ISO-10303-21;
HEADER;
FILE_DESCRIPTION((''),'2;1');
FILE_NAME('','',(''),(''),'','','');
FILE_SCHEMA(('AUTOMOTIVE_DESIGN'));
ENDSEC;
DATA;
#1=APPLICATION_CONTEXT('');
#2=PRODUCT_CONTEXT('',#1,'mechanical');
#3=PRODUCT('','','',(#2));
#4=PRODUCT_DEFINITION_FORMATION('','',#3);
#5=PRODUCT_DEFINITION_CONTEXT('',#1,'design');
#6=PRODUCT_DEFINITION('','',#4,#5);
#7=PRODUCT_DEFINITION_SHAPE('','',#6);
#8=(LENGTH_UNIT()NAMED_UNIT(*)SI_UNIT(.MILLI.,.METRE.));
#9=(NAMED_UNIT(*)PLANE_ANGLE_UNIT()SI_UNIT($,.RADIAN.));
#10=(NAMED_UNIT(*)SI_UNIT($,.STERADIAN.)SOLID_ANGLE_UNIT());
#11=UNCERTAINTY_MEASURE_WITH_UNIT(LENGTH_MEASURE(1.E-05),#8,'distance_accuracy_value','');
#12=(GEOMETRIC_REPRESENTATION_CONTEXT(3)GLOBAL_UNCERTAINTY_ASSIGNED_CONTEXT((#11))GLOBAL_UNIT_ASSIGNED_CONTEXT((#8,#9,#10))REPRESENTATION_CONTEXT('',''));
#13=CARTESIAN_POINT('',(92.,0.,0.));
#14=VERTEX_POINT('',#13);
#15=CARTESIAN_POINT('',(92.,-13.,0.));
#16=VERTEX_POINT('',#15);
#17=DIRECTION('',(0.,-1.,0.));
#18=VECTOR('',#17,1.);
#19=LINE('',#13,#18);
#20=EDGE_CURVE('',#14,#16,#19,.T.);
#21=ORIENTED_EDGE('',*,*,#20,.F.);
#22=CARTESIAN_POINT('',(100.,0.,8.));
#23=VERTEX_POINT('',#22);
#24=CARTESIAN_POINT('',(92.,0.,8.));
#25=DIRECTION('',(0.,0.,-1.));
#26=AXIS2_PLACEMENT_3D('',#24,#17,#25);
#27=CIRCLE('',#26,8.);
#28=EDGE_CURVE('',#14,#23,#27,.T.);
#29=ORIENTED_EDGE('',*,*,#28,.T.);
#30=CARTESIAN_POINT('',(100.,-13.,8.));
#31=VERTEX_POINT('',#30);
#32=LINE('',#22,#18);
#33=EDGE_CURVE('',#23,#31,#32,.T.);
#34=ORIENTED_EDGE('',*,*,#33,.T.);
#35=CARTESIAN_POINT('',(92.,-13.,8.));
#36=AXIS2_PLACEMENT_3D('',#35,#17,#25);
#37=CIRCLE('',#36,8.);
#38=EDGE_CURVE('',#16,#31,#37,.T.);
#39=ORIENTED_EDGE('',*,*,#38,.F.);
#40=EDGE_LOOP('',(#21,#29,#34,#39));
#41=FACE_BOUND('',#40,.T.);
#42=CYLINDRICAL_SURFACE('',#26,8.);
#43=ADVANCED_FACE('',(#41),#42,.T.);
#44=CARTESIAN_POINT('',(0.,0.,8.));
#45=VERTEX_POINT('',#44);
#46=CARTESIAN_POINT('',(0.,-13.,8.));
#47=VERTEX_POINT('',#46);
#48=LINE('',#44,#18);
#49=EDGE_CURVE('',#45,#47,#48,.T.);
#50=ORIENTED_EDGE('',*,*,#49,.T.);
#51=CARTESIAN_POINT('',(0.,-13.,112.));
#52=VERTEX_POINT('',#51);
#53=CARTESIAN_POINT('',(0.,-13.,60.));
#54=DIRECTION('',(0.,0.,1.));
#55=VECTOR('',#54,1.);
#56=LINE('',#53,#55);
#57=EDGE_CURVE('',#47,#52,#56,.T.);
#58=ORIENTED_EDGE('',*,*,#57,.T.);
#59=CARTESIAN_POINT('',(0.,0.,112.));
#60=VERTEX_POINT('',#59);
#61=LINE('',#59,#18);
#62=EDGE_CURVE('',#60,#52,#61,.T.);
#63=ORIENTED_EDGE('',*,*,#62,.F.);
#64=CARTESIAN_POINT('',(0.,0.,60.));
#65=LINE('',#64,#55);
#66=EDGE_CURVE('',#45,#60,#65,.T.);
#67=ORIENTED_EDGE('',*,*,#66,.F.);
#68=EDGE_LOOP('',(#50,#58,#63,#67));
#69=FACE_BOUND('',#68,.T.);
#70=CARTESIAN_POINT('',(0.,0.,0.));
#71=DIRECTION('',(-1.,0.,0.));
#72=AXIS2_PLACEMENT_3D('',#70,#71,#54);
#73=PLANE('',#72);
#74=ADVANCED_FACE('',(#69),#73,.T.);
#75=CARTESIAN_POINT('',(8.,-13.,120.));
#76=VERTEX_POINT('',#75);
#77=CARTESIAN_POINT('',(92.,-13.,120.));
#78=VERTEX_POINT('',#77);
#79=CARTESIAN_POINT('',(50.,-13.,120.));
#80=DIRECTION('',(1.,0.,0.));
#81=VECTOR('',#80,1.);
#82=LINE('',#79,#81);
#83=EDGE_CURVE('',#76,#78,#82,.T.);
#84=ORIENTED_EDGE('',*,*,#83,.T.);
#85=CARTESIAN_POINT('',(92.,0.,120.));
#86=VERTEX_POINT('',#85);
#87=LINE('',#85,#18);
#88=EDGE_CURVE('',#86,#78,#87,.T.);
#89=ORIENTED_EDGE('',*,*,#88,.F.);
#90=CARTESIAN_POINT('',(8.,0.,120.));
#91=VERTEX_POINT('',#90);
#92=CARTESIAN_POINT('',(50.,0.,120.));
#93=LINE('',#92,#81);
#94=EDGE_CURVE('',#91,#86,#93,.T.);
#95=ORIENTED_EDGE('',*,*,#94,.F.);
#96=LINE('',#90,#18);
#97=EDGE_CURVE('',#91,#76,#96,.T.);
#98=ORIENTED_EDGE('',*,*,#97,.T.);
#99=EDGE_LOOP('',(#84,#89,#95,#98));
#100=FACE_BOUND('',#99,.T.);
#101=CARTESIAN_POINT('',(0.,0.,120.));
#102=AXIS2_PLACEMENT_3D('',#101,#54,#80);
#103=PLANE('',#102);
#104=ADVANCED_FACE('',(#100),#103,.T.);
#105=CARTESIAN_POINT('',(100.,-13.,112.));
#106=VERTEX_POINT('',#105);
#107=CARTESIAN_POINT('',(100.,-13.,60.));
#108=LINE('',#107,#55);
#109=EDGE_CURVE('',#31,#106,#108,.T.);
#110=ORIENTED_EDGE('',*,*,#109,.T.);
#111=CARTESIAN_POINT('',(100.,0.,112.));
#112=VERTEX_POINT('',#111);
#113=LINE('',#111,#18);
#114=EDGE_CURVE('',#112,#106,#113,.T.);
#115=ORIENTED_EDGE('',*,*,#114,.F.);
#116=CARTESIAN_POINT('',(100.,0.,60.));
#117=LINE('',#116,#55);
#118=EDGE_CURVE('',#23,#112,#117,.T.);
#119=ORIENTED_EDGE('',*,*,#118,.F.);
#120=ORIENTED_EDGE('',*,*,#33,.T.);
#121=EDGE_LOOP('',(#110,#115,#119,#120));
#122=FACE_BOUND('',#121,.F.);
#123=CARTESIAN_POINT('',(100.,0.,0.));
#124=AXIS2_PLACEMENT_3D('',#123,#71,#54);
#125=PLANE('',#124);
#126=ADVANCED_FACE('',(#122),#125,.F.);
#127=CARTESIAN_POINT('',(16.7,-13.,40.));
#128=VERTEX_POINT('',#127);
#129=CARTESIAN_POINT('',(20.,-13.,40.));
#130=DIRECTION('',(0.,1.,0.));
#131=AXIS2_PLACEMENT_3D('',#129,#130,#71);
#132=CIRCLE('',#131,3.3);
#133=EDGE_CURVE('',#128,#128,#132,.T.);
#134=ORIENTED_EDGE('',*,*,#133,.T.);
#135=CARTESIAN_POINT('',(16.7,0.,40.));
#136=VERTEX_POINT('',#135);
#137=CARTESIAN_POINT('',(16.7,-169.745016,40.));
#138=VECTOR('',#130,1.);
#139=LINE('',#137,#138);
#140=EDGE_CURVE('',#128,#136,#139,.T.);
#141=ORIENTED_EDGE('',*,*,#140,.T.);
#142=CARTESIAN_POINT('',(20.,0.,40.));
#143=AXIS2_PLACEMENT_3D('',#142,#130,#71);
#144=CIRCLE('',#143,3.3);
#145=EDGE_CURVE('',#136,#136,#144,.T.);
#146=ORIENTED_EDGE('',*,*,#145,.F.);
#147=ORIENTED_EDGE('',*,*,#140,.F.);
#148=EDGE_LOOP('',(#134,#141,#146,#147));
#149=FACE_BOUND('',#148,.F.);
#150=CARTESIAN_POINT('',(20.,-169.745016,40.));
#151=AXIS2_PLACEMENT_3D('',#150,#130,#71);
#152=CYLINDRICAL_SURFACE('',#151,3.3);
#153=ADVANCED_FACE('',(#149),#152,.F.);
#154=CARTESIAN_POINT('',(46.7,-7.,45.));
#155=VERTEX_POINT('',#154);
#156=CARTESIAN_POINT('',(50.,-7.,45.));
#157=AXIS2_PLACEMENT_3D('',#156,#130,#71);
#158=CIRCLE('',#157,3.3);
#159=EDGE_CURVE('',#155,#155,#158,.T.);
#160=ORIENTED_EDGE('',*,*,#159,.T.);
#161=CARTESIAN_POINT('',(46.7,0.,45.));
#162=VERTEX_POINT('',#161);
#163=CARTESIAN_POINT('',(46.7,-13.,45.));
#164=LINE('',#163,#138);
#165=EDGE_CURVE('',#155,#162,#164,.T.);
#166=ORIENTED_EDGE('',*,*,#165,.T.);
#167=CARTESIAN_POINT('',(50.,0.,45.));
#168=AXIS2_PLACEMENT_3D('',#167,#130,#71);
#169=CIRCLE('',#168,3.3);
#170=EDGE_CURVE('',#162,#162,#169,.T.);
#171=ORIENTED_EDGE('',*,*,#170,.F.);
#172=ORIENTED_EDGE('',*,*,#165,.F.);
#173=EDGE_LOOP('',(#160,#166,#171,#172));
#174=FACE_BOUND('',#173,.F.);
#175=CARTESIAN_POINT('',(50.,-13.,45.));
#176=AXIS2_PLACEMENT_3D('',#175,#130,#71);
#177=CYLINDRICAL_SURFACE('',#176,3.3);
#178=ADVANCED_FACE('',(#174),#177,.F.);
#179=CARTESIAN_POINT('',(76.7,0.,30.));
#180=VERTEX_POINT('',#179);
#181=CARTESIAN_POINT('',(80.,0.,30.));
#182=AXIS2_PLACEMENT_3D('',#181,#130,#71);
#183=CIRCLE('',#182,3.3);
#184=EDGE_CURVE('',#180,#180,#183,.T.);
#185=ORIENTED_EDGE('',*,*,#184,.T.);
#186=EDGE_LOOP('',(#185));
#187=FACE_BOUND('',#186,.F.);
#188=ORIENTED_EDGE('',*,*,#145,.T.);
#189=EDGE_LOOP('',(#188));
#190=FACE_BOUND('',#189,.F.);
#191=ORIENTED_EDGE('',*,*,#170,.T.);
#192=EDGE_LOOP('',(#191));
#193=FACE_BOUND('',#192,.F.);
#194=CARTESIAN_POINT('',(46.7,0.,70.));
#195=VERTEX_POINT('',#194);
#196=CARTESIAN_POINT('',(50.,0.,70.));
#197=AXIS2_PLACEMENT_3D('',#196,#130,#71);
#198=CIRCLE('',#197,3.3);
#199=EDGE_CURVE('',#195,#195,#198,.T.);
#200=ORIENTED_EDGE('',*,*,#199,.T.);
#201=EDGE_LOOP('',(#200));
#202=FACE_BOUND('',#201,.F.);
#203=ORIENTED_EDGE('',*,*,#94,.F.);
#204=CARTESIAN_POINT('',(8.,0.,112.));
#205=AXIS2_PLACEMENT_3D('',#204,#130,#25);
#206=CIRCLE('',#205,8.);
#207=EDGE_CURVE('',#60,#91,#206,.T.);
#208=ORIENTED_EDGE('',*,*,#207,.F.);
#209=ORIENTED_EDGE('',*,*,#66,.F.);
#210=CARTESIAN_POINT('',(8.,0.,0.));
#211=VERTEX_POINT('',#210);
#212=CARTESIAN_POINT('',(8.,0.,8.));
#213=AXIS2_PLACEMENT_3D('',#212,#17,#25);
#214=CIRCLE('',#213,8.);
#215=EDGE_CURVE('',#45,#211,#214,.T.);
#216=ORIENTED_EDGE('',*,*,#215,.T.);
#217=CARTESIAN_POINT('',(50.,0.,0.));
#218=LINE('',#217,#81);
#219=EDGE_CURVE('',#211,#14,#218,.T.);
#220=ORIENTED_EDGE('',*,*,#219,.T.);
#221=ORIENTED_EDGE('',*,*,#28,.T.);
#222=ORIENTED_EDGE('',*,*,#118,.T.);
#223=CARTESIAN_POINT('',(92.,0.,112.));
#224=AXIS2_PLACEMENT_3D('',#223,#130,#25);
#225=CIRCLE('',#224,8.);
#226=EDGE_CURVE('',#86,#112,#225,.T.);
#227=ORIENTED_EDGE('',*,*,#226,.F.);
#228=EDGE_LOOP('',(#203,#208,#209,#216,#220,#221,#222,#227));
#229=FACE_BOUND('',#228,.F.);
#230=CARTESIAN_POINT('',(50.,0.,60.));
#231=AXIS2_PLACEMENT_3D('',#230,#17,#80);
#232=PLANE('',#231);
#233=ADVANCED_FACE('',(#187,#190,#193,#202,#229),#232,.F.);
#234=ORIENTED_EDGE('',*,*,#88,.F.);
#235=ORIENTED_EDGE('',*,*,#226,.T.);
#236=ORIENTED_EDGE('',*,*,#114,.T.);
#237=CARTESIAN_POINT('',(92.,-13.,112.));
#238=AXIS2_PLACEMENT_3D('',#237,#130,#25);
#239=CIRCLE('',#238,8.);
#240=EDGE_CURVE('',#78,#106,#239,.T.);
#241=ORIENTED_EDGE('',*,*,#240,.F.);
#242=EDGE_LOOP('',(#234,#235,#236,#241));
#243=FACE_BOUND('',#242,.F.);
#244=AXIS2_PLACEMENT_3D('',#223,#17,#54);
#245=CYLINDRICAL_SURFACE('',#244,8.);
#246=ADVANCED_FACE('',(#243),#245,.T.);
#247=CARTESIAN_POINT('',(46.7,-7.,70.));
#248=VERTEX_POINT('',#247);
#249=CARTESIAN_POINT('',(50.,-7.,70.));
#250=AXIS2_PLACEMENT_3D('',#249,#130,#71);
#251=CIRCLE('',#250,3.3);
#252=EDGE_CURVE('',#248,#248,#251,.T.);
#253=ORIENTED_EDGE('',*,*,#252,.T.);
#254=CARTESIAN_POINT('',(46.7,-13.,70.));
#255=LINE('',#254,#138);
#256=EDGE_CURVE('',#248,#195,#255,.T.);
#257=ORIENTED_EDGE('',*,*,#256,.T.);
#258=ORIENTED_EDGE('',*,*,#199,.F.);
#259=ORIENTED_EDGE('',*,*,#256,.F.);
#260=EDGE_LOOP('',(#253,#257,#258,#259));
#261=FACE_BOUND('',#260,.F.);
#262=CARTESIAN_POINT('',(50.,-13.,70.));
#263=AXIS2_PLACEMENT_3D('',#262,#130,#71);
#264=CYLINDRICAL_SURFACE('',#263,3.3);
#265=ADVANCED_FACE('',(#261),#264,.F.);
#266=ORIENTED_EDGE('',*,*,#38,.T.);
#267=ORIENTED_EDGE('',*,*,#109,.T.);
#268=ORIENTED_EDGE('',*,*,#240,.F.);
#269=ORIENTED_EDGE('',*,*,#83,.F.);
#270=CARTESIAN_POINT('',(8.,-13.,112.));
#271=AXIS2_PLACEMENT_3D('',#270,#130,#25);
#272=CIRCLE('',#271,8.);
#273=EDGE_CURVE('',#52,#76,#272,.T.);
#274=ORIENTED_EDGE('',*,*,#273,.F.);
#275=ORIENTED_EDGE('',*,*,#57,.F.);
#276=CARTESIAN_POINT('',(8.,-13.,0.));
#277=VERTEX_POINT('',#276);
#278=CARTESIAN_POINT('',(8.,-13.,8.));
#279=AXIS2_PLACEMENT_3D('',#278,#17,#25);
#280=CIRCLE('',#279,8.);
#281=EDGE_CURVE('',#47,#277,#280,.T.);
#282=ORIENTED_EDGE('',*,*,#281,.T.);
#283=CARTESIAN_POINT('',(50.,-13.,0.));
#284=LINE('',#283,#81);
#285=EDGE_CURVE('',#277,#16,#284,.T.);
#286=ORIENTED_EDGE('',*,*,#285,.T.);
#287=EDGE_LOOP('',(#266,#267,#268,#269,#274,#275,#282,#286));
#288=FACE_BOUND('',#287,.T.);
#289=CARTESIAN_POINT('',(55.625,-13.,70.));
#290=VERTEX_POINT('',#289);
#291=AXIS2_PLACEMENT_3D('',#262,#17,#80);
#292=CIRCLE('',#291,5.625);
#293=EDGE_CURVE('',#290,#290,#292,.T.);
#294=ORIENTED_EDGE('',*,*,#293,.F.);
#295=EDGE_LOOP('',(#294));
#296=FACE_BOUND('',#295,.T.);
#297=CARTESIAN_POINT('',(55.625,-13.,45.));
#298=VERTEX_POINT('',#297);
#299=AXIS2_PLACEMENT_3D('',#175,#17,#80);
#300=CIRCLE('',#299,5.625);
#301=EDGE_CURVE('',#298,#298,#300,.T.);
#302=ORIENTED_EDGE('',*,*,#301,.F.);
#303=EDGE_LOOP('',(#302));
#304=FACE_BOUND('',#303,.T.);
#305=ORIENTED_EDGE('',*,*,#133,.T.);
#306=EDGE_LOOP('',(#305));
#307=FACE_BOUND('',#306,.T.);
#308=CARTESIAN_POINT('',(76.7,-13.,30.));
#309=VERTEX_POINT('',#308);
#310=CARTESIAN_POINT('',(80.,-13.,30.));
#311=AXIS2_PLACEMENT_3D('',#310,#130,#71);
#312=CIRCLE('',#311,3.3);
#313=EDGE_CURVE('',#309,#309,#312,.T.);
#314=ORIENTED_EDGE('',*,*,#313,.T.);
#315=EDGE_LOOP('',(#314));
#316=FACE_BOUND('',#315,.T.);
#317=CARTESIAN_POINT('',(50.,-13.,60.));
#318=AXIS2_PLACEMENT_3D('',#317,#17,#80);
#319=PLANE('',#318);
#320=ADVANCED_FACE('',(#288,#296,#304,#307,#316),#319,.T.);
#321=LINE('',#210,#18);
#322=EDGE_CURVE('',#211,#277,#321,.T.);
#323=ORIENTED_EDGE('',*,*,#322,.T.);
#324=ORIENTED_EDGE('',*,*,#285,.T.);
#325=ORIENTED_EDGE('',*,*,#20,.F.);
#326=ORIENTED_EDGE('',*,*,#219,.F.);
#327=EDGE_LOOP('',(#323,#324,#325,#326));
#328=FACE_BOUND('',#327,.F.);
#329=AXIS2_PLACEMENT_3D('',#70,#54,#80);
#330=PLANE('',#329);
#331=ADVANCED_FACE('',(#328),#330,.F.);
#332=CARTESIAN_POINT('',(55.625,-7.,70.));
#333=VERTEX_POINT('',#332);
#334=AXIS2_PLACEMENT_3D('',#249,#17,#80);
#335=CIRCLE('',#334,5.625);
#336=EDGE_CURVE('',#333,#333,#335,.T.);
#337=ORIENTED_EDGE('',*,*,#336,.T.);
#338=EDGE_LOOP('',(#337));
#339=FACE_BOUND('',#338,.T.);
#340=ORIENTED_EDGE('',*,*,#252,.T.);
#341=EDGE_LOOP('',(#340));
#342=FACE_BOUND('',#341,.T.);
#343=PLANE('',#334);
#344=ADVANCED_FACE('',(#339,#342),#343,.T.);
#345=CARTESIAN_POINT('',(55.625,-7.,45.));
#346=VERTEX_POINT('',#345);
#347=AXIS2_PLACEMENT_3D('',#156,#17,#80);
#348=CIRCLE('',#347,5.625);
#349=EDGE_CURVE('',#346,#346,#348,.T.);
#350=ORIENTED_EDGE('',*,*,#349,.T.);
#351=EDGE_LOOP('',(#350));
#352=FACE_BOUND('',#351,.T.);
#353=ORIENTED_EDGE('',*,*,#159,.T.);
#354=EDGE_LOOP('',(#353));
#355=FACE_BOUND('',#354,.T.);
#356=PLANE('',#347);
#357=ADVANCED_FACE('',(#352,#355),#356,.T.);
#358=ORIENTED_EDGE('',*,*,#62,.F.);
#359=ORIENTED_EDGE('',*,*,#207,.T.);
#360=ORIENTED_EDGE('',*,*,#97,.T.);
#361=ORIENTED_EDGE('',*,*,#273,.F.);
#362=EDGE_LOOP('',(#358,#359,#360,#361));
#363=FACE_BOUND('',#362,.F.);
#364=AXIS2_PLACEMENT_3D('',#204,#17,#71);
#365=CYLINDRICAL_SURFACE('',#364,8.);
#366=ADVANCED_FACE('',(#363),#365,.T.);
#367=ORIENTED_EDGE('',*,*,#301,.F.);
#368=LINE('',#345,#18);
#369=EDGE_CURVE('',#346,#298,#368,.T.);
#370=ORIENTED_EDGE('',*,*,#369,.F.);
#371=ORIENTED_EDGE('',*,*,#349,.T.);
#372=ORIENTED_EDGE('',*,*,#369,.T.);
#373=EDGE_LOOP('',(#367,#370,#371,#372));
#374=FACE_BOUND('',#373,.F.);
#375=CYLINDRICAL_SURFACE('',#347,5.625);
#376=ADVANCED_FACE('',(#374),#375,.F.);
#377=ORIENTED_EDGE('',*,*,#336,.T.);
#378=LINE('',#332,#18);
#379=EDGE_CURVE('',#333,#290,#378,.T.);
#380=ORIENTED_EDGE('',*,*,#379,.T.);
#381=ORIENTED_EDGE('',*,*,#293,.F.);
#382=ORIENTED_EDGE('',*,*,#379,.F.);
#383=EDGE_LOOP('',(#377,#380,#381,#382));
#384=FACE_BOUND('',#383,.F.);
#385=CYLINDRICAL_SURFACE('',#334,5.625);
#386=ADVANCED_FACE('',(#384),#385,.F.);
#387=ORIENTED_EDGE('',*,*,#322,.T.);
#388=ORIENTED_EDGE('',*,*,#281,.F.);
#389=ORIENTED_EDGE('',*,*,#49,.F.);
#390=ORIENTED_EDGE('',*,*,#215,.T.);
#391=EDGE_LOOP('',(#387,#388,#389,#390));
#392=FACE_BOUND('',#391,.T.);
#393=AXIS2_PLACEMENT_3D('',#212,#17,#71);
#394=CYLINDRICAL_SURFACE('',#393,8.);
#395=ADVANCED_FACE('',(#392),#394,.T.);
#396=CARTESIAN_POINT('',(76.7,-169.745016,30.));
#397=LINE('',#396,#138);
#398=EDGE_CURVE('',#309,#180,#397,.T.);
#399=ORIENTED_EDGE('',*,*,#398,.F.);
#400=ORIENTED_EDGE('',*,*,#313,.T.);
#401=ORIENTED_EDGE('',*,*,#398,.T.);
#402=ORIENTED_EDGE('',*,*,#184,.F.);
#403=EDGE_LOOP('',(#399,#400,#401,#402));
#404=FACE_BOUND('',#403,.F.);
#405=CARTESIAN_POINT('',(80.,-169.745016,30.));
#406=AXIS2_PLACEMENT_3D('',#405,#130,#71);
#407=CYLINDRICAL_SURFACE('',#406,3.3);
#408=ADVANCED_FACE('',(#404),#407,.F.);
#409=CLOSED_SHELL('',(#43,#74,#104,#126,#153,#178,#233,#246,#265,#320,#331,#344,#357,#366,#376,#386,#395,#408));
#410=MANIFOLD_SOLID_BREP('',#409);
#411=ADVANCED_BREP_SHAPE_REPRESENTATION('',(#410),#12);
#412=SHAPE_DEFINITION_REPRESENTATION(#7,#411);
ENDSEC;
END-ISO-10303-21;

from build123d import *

# Parameters (mm, degrees)
F0_W           = 100
F0_H           = 120
F1_DEPTH       = 13
F3_D           = 6.6
F4_D           = 6.6
F4_CBORE_D     = 11.25
F4_CBORE_DEPTH = 6
F5_R           = 8


with BuildPart() as f1:
    # F0 (on Front) → F1 (new body)
    with BuildSketch(Plane.XZ):
        with Locations((50, 60)):
            Rectangle(F0_W, F0_H)
    extrude(amount=F1_DEPTH)

    # F3 (through all)
    with Locations(Plane.XZ.offset(13)):
        with Locations((80, 30), (20, 40)):
            Hole(F3_D / 2)

    # F4 (through all)
    with Locations(Plane.XZ.offset(13)):
        with Locations((50, 70), (50, 45)):
            CounterBoreHole(F4_D / 2, F4_CBORE_D / 2, F4_CBORE_DEPTH)

    # F5
    f5_edges = [f1.edges().sort_by_distance(p)[0] for p in [
        (100, -6.5, 120),
        (100, -6.5, 0),
        (0, -6.5, 120),
        (0, -6.5, 0),
    ]]
    fillet(f5_edges, radius=F5_R)


solid = f1.part
